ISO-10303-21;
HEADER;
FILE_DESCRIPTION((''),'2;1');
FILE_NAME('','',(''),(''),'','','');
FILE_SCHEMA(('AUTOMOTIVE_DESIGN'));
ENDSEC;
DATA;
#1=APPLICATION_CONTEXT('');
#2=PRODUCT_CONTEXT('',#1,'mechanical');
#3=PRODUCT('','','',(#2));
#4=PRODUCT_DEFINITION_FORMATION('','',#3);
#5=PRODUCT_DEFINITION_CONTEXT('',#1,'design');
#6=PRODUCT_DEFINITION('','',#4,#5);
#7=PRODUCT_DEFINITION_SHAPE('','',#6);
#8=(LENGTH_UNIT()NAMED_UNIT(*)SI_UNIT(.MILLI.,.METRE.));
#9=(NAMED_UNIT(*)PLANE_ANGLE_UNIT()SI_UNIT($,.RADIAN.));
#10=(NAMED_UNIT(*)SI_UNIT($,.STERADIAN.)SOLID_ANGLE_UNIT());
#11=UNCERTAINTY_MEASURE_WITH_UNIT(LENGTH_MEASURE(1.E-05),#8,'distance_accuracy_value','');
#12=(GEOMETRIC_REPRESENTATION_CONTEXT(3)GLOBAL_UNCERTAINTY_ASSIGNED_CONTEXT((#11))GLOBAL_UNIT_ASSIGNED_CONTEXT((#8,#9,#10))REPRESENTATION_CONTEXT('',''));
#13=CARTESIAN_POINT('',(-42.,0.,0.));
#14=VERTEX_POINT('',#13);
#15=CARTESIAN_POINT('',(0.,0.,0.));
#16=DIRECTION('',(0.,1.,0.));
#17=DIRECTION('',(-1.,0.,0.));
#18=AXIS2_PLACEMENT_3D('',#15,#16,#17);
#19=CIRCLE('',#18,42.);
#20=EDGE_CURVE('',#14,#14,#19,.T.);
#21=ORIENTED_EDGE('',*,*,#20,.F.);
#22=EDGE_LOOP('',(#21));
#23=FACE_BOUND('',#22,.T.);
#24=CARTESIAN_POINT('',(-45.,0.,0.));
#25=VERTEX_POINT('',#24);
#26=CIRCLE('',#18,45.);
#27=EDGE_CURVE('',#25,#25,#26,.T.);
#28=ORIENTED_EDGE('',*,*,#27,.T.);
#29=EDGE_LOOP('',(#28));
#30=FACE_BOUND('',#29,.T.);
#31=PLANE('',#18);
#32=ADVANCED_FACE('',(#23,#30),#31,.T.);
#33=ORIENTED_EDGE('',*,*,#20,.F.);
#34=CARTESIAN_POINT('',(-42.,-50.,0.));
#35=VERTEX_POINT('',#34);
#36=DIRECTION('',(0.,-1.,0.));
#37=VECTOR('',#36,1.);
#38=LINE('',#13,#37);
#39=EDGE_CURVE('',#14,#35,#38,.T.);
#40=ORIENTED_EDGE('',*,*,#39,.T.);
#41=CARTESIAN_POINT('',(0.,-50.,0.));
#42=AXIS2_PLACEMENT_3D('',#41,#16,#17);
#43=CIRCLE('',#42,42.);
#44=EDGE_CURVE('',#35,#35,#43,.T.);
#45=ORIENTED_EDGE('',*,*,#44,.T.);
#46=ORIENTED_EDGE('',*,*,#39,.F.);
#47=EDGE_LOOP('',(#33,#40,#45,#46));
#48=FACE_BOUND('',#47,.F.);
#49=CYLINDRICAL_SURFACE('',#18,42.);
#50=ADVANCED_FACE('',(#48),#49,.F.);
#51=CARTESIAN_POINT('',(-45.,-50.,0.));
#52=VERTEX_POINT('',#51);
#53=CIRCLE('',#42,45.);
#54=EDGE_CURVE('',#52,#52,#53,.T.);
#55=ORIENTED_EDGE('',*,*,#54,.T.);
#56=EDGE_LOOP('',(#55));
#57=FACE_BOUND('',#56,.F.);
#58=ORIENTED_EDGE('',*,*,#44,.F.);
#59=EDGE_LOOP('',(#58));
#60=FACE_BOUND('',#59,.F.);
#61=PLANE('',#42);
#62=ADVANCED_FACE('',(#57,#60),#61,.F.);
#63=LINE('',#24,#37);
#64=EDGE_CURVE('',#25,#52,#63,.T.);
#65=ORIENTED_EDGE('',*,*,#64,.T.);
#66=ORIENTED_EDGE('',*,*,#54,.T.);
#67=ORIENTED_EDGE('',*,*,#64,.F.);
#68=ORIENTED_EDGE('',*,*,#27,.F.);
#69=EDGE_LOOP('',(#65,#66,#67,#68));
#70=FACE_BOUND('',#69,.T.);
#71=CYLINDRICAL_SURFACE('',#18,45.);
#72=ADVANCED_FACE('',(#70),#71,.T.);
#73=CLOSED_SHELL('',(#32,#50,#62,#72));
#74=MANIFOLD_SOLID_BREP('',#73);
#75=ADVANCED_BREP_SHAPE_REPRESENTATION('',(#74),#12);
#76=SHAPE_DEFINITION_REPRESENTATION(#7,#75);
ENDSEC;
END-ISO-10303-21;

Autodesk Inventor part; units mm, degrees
ref_plane "YZ Plane" through (0, 0, 0) normal (1, 0, 0) x (0, 1, 0)
ref_plane "XZ Plane" through (0, 0, 0) normal (0, 1, 0) x (-1, 0, 0)
ref_plane "XY Plane" through (0, 0, 0) normal (0, 0, 1) x (1, 0, 0)
sketch "Sketch1" plane through (0, 0, 0) normal (0, 1, 0) x (-1, 0, 0)
  circle A0 centre (0, 0) radius 45
  circle A1 centre (0, 0) radius 42
  dimension "d0" = 90
  dimension "d1" = 3
extrude "Extrusion1" add sketch "Sketch1" against normal blind 50
properties part number "APN 1411 hatch tube 500mm" material "Steel"
